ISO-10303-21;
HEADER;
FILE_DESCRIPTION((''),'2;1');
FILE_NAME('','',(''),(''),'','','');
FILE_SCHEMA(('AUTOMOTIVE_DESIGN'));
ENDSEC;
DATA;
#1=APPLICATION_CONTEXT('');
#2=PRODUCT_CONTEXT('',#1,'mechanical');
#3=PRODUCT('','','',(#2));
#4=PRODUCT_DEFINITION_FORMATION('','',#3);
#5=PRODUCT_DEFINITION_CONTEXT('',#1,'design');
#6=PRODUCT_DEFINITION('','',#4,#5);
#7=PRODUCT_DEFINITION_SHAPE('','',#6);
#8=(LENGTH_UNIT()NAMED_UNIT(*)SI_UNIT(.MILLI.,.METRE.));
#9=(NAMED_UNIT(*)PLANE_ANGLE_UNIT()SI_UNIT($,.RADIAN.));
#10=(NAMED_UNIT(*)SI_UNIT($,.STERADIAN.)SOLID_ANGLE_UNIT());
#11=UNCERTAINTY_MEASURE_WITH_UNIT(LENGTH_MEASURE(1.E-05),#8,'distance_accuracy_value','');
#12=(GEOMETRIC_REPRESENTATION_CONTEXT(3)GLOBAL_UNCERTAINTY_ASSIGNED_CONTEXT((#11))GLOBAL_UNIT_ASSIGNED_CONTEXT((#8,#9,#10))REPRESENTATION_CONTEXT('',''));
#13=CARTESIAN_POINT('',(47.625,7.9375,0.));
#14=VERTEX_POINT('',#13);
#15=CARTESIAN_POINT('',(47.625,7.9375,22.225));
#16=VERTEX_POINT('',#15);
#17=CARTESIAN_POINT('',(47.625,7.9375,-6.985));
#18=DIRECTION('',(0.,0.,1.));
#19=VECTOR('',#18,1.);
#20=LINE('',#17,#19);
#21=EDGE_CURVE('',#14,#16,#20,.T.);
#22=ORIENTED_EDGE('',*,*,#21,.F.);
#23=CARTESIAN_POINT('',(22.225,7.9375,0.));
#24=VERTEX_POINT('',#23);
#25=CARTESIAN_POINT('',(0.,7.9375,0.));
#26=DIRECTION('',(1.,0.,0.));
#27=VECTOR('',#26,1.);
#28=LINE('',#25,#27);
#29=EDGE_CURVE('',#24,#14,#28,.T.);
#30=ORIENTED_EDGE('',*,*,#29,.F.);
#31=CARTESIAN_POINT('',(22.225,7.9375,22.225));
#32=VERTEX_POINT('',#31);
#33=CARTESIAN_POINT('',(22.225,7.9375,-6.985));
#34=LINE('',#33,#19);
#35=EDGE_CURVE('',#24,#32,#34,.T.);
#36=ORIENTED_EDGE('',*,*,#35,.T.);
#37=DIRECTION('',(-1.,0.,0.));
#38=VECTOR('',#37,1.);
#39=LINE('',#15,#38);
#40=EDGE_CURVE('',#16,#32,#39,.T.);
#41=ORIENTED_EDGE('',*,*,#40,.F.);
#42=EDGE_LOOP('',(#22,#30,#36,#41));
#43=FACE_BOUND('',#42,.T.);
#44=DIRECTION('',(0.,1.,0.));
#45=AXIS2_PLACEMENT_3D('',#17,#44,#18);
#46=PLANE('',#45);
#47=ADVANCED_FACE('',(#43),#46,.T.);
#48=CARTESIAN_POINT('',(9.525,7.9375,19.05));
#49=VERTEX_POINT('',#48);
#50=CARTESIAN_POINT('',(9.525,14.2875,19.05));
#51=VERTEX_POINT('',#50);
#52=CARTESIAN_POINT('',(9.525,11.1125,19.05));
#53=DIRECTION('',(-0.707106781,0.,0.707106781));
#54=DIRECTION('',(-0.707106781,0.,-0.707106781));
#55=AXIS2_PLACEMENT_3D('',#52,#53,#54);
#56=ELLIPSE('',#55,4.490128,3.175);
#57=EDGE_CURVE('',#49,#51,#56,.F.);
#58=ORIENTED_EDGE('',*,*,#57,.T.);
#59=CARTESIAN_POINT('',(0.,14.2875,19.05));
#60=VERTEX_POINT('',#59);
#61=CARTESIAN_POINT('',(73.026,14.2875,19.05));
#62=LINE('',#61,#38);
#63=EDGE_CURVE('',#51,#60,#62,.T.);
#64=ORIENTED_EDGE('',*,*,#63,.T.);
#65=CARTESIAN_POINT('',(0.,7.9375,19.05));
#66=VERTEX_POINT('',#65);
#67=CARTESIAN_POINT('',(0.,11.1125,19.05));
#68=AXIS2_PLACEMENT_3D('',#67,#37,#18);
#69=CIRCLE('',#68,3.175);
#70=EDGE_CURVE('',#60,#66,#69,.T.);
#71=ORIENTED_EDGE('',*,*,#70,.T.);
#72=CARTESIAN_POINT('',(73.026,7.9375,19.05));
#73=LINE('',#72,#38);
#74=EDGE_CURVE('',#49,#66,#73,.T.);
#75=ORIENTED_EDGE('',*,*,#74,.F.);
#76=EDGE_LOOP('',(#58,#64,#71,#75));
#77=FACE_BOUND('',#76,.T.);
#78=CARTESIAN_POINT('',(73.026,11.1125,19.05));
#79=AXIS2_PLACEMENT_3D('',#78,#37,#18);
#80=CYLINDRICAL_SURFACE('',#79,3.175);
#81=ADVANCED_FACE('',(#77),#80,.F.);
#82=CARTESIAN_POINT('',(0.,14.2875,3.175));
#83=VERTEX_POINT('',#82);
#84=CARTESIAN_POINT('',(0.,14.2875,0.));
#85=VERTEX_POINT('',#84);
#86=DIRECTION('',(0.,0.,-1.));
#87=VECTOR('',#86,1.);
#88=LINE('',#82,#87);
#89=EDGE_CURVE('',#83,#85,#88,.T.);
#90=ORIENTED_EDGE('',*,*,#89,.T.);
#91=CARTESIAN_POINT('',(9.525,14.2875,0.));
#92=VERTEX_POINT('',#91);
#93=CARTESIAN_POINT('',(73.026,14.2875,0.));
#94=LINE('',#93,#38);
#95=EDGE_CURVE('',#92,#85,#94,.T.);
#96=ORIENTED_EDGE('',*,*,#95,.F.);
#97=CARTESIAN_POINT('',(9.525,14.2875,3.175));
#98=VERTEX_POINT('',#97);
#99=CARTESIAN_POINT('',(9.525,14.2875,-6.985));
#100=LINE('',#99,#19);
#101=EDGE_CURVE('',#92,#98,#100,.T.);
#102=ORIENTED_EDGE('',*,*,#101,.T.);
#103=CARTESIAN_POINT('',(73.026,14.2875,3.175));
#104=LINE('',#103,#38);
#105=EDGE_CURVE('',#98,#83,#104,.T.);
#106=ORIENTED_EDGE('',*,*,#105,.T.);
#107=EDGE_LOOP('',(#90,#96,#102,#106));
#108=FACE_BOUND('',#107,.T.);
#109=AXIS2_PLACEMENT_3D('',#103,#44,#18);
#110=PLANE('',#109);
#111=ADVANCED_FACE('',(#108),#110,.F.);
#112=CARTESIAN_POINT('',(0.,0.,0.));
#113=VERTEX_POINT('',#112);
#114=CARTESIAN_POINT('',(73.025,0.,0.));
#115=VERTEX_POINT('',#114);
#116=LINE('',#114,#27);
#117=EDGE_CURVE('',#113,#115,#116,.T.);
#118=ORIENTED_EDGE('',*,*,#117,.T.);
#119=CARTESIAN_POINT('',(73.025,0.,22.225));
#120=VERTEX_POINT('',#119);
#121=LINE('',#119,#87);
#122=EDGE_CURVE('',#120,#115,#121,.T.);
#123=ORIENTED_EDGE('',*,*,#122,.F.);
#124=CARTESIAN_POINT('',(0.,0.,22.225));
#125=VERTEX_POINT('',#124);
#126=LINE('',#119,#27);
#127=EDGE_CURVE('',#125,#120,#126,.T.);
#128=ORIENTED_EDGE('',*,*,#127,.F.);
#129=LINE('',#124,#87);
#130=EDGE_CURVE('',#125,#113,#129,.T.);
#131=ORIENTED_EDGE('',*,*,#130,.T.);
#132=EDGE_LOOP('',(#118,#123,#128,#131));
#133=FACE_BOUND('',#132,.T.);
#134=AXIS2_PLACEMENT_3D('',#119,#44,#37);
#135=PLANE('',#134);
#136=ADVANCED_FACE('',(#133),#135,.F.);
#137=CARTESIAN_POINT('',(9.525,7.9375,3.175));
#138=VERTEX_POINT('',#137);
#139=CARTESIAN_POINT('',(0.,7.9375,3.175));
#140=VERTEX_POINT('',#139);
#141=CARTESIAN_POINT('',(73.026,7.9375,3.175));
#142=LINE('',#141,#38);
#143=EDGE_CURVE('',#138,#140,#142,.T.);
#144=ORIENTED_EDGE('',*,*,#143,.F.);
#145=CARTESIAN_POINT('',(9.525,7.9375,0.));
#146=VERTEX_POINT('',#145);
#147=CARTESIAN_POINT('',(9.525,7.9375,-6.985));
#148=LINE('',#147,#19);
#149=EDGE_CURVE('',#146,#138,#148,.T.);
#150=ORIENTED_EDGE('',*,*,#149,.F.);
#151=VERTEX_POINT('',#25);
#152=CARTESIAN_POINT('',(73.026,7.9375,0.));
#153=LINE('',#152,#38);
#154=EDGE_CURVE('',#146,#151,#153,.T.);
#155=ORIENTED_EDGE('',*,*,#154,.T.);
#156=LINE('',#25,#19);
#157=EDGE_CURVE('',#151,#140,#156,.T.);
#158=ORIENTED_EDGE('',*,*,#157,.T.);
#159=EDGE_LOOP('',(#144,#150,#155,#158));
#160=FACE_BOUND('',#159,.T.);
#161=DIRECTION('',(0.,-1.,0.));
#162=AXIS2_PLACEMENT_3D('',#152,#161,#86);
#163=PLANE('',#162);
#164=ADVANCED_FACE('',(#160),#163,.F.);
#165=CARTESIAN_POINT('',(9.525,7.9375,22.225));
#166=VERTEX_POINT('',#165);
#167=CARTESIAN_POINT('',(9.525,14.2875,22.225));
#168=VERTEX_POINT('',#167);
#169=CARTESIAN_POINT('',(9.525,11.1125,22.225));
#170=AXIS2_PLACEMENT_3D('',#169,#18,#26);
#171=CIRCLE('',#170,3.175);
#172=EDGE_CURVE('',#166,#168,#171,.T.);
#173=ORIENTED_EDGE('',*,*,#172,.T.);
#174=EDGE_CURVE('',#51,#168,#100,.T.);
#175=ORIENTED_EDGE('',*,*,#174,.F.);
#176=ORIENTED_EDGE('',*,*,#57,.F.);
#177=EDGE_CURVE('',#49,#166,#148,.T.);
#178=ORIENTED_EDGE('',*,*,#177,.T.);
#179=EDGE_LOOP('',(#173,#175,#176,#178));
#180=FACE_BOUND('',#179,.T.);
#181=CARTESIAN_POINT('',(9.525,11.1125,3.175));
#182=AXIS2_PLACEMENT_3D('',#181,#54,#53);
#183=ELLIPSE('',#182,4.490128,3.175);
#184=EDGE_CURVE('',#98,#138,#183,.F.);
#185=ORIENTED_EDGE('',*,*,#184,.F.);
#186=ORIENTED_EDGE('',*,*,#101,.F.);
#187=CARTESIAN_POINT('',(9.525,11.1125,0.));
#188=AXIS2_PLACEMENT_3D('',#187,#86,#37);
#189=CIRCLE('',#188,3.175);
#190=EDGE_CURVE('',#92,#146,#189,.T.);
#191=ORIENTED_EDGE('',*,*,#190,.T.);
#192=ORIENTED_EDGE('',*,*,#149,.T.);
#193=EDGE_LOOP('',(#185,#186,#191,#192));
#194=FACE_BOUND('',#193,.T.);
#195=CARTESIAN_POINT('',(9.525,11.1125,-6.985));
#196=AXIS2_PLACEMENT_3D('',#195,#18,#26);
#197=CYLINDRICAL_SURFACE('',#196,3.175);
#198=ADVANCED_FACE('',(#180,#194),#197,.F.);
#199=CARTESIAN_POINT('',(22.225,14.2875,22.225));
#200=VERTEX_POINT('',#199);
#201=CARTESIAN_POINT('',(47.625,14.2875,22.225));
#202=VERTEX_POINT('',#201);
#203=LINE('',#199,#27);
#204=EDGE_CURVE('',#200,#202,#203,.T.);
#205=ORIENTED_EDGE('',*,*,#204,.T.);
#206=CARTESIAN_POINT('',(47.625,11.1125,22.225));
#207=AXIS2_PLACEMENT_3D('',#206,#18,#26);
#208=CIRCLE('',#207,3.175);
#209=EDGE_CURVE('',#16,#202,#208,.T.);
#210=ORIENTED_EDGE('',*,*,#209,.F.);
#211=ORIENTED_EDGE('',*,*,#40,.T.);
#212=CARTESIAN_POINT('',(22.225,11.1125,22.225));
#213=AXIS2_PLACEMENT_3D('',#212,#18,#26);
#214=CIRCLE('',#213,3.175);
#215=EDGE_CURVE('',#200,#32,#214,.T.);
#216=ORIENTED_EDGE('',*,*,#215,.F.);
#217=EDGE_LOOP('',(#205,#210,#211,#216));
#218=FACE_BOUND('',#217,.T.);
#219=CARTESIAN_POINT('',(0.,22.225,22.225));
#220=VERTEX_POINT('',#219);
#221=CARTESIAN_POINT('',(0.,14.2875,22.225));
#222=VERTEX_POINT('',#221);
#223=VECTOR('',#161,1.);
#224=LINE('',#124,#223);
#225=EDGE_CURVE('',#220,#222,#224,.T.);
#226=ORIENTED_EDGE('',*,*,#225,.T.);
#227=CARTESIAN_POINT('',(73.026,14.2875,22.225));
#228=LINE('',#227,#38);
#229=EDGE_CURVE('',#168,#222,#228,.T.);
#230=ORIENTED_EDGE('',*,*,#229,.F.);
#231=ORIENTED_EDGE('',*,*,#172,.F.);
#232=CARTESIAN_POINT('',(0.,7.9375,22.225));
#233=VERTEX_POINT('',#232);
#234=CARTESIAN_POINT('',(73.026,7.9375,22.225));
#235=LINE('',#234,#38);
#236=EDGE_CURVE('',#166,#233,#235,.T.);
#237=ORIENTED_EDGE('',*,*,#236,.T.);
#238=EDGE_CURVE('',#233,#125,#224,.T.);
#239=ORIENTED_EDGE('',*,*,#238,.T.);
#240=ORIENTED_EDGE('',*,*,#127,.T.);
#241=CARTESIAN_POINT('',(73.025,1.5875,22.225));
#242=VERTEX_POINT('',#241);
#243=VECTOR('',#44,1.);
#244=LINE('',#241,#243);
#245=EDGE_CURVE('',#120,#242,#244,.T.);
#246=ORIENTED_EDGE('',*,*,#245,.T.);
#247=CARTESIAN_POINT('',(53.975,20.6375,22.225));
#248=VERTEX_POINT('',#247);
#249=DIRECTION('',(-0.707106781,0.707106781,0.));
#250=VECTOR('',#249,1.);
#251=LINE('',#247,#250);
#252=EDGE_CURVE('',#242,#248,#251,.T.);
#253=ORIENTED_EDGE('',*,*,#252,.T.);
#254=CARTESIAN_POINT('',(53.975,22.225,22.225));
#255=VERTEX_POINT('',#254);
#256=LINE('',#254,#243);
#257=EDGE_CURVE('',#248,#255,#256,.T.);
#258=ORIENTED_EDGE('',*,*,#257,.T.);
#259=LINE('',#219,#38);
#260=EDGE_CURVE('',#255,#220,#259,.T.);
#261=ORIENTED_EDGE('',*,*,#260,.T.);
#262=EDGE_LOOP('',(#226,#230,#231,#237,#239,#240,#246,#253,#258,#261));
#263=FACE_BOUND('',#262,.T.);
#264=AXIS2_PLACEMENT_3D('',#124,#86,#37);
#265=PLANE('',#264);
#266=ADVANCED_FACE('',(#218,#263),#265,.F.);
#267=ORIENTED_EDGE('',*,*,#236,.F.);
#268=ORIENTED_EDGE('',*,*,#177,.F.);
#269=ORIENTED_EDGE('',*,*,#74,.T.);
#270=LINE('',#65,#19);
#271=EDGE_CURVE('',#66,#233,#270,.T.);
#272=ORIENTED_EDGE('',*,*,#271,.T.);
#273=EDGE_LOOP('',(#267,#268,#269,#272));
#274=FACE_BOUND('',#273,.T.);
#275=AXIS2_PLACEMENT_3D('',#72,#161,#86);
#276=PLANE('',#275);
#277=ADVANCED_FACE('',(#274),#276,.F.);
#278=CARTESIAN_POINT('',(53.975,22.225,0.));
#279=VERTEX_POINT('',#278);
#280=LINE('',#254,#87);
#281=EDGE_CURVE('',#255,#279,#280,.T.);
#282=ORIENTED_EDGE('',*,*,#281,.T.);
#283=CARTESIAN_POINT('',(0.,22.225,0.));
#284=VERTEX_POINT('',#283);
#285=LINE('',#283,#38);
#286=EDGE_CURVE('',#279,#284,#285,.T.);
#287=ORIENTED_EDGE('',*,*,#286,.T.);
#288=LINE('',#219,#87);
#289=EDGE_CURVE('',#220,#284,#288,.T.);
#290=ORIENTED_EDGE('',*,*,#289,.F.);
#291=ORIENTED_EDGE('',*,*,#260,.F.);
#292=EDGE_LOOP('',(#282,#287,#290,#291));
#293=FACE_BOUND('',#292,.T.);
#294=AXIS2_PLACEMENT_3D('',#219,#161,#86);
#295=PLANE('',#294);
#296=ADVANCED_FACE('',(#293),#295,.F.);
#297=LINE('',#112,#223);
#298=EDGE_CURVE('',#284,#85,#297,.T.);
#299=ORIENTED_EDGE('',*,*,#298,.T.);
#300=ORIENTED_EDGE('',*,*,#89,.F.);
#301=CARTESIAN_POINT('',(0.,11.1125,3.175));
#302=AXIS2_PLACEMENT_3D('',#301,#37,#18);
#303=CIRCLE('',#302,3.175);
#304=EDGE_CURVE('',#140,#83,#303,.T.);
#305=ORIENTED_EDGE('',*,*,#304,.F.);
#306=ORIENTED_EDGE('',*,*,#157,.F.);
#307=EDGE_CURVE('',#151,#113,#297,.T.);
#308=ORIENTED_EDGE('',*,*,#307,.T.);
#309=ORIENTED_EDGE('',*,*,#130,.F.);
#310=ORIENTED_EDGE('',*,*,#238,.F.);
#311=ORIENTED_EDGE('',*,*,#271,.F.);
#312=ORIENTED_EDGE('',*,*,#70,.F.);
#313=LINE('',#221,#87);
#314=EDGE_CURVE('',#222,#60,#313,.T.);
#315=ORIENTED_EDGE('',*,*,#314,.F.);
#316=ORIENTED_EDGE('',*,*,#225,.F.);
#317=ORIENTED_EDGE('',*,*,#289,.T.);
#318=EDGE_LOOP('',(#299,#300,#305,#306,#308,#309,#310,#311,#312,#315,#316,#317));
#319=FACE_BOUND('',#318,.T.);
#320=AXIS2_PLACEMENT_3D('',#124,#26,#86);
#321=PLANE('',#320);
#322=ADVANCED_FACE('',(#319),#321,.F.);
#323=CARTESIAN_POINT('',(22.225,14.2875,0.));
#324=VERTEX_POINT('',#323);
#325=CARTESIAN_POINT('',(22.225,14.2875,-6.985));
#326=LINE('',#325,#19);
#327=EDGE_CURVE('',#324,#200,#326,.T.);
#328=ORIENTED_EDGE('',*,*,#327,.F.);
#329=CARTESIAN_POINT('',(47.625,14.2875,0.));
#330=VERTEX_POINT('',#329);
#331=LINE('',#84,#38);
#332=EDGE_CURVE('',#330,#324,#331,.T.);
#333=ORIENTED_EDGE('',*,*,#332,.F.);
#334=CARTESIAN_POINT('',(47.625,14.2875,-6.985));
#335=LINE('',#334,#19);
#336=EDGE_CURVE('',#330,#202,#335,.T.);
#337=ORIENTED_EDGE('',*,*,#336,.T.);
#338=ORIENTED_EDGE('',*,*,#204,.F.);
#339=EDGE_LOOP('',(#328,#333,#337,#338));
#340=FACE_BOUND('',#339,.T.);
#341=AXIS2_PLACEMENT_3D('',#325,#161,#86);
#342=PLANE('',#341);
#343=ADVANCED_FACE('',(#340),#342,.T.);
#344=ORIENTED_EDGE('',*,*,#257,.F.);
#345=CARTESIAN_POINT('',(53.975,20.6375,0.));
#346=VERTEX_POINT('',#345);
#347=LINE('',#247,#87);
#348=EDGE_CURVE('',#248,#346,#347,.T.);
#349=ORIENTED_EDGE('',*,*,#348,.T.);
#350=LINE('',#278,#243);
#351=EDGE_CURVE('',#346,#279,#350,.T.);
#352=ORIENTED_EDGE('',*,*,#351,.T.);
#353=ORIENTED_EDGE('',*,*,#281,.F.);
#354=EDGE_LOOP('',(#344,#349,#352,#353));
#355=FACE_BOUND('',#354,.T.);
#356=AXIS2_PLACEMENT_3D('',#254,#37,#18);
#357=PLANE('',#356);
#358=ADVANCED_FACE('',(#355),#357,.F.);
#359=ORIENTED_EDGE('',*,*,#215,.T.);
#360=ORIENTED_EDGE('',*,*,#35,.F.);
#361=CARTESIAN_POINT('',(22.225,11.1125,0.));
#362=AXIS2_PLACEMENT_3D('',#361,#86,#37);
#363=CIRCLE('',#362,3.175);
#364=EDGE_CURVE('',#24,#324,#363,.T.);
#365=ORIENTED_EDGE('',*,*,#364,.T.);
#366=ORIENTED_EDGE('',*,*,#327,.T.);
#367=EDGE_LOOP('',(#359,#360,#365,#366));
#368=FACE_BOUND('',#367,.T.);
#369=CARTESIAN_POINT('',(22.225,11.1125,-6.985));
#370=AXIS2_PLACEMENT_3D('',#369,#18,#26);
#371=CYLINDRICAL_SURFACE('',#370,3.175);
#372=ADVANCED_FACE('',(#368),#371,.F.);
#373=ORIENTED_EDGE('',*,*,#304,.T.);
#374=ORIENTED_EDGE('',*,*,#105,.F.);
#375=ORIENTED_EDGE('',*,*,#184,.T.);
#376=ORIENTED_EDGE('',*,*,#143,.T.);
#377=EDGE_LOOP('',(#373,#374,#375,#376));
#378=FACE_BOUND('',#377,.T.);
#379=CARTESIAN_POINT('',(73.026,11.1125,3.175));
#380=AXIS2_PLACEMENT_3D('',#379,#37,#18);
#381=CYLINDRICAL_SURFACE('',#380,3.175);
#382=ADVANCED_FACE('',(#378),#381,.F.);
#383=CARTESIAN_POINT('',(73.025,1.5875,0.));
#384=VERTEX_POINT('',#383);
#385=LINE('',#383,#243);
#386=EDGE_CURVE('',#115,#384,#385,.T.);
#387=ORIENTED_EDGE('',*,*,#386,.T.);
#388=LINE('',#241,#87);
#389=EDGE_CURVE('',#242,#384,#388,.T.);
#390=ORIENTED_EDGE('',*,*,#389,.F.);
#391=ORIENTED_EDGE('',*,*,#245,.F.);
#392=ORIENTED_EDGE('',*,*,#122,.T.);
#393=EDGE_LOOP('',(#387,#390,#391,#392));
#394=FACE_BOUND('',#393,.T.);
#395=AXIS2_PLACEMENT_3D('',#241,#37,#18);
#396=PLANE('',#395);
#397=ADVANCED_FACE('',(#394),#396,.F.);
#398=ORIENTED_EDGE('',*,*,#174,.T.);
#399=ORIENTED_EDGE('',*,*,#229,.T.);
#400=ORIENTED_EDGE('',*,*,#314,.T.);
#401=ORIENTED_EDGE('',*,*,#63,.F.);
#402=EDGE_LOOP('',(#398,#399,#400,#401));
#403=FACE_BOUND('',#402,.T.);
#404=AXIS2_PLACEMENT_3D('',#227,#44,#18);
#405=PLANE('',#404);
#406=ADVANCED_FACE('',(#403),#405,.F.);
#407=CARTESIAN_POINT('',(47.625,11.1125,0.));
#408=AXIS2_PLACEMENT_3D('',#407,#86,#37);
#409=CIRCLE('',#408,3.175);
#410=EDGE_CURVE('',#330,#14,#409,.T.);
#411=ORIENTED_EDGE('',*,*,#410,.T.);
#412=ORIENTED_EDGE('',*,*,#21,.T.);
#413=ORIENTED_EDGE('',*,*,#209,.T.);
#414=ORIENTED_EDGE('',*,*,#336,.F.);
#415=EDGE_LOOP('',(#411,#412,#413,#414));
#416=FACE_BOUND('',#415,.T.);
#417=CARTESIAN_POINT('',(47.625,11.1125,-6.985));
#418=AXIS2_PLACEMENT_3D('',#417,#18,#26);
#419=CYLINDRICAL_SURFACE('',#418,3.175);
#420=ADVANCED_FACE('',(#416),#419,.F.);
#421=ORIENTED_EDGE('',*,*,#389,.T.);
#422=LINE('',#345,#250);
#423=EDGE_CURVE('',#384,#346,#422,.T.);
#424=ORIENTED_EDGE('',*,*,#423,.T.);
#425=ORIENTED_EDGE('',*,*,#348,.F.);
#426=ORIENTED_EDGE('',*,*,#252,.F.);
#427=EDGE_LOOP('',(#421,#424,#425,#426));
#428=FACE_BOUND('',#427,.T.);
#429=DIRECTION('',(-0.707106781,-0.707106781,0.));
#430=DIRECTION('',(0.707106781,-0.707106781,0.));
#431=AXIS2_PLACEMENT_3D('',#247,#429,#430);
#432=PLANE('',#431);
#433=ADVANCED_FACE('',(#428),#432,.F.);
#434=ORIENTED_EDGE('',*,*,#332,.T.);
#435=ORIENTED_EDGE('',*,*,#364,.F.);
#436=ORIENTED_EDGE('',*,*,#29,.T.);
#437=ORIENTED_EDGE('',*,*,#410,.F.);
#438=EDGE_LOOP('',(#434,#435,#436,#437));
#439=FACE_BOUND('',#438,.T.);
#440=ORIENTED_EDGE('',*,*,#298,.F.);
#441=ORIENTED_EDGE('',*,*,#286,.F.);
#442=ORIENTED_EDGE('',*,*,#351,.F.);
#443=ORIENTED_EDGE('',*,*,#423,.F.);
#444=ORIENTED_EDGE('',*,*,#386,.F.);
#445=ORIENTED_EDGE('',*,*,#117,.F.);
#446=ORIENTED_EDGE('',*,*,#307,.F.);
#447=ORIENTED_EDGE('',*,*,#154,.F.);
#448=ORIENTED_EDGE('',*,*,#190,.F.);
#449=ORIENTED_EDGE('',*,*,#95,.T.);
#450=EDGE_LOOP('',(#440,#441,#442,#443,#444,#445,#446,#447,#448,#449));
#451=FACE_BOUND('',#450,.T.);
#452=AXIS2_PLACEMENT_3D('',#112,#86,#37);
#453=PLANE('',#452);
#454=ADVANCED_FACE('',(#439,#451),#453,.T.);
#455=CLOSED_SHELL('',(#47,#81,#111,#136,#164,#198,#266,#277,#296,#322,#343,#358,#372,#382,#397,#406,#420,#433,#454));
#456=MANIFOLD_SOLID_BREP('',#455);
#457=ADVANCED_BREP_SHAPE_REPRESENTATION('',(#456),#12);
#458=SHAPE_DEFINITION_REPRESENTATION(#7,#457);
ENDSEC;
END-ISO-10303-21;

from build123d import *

# Parameters (mm, degrees)
BOSS_EXTRUDE1_DEPTH = 22.225
SKETCH8_R           = 3.175
CUT_EXTRUDE7_DEPTH  = 29.21
CUT_EXTRUDE8_REACH  = 75.025


with BuildPart() as part:
    # Sketch1 → Boss-Extrude1 (new body)
    with BuildSketch(Plane.XY):
        Polygon((0, 0), (0, 22.225), (53.975, 22.225), (53.975, 20.6375), (73.025, 1.5875), (73.025, 0), align=None)
    extrude(amount=BOSS_EXTRUDE1_DEPTH)

    # Sketch8 → Cut-Extrude7 (cut)
    with BuildSketch(Plane.XY.offset(22.225)):
        with Locations((9.525, 11.1125)):
            Circle(SKETCH8_R)
        with BuildLine():
            Line((22.225, 14.2875), (47.625, 14.2875))
            ThreePointArc((47.625, 14.2875), (50.8, 11.1125), (47.625, 7.9375))
            Line((47.625, 7.9375), (22.225, 7.9375))
            ThreePointArc((22.225, 7.9375), (19.05, 11.1125), (22.225, 14.2875))
        make_face()
    extrude(amount=-CUT_EXTRUDE7_DEPTH, mode=Mode.SUBTRACT)

    # Sketch10 → Cut-Extrude8 (cut, up to next)
    with BuildSketch(Plane.ZY, mode=Mode.PRIVATE) as cut_extrude8_sk1:
        with BuildLine():
            Line((3.175, 14.2875), (0, 14.2875))
            Line((0, 14.2875), (0, 7.9375))
            Line((0, 7.9375), (3.175, 7.9375))
            ThreePointArc((3.175, 7.9375), (6.35, 11.1125), (3.175, 14.2875))
        make_face()
    cut_extrude8_tool1 = extrude(cut_extrude8_sk1.sketch, amount=-CUT_EXTRUDE8_REACH, mode=Mode.PRIVATE) & part.part
    add(cut_extrude8_tool1.solids().sort_by_distance((0, 11.1125, 2.878614))[0], mode=Mode.SUBTRACT)
    # Sketch10 → Cut-Extrude8 (cut, up to next)
    with BuildSketch(Plane.ZY, mode=Mode.PRIVATE) as cut_extrude8_sk2:
        with BuildLine():
            Line((19.05, 7.9375), (22.225, 7.9375))
            Line((22.225, 7.9375), (22.225, 14.2875))
            Line((22.225, 14.2875), (19.05, 14.2875))
            ThreePointArc((19.05, 14.2875), (15.875, 11.1125), (19.05, 7.9375))
        make_face()
    cut_extrude8_tool2 = extrude(cut_extrude8_sk2.sketch, amount=-CUT_EXTRUDE8_REACH, mode=Mode.PRIVATE) & part.part
    add(cut_extrude8_tool2.solids().sort_by_distance((0, 11.1125, 19.346386))[0], mode=Mode.SUBTRACT)


solid = part.part
